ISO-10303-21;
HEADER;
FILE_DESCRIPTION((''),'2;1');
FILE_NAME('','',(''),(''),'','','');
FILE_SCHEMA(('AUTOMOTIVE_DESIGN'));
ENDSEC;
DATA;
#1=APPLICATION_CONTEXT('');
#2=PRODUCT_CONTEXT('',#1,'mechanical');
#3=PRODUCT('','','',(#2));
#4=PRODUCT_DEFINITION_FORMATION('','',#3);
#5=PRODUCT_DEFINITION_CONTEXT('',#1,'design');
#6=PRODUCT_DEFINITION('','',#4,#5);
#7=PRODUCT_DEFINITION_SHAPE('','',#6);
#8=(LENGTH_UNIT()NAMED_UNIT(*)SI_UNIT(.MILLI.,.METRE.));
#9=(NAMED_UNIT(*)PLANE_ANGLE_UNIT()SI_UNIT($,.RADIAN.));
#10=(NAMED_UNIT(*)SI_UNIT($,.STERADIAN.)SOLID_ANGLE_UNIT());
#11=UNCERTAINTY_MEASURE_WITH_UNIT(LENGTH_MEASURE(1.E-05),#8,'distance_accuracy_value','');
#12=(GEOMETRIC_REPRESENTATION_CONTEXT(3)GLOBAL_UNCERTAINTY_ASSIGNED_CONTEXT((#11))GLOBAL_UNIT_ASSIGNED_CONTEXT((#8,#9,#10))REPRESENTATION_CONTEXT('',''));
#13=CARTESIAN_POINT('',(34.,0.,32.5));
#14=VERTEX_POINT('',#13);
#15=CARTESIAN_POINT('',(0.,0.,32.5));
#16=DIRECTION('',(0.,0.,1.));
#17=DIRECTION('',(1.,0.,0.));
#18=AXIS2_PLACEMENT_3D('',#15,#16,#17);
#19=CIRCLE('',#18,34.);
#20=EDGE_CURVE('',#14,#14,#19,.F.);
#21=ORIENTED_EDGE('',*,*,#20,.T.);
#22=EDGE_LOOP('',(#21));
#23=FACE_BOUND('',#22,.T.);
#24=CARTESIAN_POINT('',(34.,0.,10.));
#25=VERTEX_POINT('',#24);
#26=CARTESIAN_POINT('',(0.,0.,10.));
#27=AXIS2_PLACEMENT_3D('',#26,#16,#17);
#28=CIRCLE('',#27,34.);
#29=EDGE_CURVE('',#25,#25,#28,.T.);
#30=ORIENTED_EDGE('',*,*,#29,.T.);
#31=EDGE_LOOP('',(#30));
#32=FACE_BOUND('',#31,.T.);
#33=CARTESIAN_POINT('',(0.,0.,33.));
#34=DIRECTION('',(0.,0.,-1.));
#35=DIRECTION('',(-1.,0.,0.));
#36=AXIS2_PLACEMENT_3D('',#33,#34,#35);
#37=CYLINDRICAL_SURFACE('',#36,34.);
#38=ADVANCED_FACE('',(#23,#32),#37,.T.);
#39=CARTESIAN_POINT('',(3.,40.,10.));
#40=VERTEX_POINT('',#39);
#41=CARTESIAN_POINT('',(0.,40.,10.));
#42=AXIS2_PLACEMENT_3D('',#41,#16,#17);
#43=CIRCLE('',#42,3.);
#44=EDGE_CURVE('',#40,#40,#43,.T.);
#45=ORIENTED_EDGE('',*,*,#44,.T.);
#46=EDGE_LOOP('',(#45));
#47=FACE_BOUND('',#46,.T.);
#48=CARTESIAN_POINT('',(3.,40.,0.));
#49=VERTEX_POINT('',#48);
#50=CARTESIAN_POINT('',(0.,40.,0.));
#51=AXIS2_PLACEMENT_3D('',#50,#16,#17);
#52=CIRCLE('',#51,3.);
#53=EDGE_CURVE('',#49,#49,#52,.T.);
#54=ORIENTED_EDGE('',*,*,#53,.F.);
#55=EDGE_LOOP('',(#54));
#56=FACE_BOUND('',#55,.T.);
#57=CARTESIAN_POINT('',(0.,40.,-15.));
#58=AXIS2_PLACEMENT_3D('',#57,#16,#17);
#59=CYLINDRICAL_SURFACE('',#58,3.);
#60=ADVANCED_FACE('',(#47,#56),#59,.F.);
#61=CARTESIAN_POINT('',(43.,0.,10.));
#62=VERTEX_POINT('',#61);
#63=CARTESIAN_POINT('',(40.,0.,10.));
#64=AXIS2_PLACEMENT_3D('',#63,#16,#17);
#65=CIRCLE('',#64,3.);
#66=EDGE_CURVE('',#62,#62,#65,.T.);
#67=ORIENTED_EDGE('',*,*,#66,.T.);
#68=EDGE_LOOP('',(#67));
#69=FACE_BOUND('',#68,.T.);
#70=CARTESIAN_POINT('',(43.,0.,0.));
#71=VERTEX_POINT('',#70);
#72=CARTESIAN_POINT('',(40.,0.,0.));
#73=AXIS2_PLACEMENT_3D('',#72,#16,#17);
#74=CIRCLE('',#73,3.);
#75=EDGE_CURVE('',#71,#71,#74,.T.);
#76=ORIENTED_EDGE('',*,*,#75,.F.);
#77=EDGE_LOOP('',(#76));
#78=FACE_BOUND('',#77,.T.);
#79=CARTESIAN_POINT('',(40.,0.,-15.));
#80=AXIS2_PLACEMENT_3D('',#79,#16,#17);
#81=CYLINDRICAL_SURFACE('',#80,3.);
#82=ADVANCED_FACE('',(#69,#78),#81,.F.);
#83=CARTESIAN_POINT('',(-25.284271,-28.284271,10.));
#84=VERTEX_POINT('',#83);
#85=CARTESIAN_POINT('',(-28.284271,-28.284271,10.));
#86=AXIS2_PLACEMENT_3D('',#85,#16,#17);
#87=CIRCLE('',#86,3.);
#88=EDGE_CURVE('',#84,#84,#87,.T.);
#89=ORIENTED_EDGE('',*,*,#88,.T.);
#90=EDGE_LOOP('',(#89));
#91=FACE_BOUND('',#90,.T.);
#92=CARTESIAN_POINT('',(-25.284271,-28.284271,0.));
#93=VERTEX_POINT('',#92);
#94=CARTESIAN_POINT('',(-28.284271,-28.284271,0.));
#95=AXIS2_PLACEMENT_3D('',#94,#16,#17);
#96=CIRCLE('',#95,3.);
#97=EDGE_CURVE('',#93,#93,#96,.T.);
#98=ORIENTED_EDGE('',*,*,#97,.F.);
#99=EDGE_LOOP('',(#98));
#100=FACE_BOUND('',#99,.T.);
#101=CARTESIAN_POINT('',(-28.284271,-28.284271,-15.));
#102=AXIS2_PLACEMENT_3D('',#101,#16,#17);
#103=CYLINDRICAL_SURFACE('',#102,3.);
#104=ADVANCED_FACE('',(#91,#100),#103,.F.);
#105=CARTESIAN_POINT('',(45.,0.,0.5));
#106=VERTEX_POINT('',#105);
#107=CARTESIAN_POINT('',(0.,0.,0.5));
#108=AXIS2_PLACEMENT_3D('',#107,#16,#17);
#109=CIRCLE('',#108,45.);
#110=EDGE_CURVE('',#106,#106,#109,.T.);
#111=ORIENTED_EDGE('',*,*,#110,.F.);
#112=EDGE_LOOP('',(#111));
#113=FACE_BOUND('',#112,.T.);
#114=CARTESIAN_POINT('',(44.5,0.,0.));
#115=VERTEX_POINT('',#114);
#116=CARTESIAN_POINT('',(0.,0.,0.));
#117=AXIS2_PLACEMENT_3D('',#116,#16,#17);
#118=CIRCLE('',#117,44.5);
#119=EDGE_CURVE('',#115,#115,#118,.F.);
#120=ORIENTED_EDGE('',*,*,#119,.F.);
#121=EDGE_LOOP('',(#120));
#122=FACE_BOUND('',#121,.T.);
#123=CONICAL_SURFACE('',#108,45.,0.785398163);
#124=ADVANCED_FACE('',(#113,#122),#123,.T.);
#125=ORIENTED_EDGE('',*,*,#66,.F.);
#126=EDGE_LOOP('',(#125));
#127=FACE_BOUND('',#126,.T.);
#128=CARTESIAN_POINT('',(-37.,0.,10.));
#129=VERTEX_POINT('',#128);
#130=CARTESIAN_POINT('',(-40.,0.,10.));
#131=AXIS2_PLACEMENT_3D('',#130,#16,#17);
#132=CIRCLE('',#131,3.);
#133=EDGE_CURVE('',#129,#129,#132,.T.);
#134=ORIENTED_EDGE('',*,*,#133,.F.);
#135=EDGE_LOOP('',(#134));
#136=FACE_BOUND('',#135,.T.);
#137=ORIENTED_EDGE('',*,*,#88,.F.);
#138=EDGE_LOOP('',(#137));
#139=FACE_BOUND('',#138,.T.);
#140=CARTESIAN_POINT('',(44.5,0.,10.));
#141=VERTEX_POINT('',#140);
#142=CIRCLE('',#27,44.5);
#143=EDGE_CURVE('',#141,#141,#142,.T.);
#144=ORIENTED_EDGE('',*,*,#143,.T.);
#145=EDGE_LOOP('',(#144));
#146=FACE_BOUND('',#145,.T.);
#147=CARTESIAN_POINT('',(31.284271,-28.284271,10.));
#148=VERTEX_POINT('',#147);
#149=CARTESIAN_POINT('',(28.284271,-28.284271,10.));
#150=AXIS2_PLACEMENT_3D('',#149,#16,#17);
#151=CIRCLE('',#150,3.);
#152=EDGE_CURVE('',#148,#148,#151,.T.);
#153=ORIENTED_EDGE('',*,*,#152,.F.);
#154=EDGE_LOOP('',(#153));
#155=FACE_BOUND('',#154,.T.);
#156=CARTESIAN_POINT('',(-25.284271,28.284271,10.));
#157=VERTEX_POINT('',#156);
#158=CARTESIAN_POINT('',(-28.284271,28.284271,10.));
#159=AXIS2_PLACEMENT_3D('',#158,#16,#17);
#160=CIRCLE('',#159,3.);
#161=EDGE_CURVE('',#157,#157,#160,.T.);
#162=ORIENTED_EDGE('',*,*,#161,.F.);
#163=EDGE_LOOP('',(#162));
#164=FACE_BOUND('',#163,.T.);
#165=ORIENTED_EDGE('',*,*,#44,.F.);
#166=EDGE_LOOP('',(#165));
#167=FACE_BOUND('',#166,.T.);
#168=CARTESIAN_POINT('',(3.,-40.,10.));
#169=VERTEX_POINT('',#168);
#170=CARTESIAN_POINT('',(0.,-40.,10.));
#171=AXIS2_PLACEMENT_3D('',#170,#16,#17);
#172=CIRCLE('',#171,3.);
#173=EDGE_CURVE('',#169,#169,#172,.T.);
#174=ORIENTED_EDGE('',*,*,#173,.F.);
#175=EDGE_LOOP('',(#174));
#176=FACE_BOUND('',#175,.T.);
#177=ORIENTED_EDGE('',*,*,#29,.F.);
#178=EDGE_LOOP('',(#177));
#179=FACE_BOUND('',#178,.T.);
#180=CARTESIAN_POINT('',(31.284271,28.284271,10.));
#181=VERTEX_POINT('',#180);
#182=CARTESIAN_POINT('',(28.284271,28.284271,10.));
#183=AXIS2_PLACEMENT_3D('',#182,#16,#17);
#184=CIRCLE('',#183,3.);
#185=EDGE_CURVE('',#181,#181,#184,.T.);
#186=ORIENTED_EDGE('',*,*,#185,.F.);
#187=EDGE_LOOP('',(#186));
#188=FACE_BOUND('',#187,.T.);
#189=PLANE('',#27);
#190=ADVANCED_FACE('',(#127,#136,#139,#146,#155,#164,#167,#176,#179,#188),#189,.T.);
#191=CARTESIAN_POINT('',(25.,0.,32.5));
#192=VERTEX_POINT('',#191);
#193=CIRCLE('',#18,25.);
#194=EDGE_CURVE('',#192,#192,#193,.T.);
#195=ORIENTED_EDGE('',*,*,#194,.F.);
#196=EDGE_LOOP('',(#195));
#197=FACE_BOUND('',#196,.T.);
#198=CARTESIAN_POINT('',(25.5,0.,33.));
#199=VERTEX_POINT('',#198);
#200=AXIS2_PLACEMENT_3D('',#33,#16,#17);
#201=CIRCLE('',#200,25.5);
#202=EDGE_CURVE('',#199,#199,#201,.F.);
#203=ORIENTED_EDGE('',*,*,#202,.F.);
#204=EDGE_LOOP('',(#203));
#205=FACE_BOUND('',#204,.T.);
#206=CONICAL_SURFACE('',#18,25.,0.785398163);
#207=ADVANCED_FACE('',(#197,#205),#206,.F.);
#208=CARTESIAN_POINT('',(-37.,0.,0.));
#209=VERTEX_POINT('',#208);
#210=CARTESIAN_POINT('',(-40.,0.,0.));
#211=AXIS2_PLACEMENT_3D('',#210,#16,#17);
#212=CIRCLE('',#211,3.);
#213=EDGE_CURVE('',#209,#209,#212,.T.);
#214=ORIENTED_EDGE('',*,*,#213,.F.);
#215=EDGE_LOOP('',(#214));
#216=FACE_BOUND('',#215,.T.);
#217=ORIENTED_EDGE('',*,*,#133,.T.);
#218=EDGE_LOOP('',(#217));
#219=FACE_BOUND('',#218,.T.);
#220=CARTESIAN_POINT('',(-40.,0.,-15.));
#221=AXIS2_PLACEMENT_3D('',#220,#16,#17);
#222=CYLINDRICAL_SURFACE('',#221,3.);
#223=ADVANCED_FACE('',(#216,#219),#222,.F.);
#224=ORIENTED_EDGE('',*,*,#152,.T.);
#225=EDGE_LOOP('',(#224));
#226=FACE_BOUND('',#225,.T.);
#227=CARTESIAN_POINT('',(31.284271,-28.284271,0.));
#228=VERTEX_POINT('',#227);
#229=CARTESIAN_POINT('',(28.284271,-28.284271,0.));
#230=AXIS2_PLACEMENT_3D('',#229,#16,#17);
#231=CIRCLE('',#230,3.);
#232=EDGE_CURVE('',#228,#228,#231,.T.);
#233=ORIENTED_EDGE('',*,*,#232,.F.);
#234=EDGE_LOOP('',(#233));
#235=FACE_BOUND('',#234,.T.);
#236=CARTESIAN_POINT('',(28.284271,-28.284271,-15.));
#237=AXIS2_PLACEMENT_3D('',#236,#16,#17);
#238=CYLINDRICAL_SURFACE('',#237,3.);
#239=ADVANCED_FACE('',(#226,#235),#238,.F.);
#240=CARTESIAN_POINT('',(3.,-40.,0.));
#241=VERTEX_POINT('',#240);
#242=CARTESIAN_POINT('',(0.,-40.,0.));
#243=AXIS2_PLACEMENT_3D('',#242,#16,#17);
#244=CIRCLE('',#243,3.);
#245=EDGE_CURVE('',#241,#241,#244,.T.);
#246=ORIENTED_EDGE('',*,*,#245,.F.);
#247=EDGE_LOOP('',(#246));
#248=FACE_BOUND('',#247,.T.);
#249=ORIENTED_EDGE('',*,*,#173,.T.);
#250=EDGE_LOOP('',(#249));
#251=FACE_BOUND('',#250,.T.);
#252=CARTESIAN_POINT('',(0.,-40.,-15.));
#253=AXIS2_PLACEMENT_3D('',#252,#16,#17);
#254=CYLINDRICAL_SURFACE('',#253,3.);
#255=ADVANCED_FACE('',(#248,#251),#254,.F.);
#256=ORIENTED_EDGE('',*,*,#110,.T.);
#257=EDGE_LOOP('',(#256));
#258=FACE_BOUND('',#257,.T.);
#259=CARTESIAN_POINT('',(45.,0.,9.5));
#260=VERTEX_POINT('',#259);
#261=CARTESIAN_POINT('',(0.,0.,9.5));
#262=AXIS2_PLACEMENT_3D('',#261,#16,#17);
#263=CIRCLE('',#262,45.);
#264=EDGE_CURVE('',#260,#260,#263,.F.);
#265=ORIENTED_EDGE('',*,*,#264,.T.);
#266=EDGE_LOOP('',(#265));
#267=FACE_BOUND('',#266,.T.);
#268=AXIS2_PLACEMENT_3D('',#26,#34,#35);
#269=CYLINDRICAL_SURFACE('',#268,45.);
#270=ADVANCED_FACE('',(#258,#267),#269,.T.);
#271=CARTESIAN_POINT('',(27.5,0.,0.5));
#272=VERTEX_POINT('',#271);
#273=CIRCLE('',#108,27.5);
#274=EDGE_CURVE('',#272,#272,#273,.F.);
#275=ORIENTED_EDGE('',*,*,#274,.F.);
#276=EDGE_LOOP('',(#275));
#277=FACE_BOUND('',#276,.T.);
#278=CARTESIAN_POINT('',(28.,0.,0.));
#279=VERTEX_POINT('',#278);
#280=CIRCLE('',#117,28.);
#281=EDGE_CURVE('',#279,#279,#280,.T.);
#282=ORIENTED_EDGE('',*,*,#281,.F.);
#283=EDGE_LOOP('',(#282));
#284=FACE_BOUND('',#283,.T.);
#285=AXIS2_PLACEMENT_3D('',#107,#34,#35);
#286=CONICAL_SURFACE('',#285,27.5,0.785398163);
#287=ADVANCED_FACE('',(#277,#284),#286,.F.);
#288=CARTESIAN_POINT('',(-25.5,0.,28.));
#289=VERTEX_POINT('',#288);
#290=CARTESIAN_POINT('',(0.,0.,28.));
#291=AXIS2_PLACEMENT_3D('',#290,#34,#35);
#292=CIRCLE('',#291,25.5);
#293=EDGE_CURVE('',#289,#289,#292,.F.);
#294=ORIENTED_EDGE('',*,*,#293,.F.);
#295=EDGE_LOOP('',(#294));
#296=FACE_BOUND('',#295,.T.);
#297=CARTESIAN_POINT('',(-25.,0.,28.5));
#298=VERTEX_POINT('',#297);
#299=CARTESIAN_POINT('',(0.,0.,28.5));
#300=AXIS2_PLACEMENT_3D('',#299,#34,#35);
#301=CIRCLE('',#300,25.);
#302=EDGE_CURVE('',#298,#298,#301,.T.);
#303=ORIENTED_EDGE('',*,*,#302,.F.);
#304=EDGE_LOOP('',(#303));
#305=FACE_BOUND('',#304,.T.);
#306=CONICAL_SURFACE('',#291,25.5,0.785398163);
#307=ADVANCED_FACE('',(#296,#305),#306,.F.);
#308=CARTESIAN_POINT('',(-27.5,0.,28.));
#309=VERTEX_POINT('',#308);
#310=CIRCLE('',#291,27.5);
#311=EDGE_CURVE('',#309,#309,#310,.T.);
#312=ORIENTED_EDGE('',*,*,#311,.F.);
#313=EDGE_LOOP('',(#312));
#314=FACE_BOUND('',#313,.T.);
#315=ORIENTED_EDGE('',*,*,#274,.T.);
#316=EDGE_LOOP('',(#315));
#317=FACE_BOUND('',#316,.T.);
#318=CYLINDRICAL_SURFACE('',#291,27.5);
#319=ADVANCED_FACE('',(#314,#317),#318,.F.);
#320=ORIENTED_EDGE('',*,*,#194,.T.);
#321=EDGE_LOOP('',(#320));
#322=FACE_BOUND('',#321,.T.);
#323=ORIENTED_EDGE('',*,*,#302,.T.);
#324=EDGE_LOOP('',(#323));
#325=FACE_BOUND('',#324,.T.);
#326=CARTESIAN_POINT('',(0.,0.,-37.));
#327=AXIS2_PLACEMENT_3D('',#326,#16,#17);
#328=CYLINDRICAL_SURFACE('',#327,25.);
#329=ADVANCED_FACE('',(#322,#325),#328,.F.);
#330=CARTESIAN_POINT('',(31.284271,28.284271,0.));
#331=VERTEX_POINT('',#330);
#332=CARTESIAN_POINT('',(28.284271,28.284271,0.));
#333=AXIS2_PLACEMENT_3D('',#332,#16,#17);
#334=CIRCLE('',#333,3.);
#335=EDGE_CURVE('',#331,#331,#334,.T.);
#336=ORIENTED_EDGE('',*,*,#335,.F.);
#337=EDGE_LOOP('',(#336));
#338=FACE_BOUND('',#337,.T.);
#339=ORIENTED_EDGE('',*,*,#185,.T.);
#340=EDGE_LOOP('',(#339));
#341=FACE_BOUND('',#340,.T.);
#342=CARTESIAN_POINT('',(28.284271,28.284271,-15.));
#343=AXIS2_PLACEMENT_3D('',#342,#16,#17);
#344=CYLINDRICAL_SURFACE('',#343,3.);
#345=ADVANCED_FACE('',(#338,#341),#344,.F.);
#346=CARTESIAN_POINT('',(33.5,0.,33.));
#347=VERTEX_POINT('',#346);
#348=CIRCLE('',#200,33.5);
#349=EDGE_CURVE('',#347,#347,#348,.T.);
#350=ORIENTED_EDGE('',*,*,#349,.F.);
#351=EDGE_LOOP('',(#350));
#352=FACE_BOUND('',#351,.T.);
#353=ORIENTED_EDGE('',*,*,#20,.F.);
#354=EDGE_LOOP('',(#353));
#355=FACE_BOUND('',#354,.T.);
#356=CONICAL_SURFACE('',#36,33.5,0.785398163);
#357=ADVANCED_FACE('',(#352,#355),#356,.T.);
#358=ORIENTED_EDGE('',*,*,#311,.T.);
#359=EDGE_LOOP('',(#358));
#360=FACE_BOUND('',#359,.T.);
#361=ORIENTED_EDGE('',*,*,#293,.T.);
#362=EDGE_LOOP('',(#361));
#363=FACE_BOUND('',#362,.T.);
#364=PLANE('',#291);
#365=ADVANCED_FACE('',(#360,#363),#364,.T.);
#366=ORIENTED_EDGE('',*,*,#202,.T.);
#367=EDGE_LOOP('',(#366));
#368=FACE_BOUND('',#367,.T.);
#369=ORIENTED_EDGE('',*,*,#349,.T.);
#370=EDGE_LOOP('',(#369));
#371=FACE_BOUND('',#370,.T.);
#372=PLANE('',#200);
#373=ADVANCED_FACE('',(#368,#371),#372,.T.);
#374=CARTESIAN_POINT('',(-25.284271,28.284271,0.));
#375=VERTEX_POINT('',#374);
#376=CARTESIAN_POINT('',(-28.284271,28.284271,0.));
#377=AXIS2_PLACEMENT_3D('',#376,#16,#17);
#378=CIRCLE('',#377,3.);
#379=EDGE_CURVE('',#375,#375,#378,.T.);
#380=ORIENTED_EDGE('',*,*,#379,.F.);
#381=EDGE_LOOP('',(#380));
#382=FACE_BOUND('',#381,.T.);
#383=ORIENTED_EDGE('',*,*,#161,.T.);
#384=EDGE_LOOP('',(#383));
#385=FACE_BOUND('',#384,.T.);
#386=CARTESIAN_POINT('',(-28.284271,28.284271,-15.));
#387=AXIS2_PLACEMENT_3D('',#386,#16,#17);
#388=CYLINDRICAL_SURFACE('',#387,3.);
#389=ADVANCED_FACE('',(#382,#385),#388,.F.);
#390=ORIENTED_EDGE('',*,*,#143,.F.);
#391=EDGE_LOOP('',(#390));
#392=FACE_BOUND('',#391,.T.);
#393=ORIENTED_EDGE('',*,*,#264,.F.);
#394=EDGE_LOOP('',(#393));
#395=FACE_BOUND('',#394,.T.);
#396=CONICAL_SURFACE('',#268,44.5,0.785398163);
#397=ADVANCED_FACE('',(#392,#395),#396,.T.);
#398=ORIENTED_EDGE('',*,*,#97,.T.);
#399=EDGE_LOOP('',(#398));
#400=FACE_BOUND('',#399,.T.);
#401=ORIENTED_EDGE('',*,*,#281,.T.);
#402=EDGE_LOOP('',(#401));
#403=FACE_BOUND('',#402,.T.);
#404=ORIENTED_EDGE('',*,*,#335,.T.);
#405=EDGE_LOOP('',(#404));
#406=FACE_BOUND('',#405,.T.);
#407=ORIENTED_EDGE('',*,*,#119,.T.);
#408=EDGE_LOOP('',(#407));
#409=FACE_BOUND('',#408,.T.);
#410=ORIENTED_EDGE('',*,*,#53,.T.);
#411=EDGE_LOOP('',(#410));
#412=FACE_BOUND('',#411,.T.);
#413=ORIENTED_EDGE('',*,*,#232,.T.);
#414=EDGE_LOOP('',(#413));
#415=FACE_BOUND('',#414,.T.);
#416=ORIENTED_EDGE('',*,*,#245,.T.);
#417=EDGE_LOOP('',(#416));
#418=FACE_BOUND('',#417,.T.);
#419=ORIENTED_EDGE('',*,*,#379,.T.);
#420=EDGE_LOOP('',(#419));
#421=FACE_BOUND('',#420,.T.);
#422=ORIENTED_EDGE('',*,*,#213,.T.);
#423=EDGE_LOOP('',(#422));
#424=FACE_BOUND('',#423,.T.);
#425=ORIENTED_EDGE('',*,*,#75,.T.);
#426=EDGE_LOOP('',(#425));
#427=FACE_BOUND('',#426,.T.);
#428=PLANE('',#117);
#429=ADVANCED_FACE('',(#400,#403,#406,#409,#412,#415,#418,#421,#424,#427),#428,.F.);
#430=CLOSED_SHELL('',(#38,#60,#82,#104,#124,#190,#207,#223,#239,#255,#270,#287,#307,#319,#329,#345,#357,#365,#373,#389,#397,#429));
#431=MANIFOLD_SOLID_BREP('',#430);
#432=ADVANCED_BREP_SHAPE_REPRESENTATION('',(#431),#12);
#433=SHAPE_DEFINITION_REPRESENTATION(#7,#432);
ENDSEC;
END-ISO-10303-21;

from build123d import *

# Parameters (mm, degrees)
SKETCH_1_R          = 45
EXTRUDE_1_DEPTH     = 10
SKETCH_2_R          = 34
EXTRUDE_2_DEPTH     = 23
SKETCH_4_R          = 25
CUT_EXTRUDE_1_DEPTH = 70
SKETCH_5_R          = 27.5
CUT_EXTRUDE_2_DEPTH = 28
SKETCH_6_R          = 3
CUT_EXTRUDE_3_DEPTH = 25
CHAMFER_1_SIZE      = 0.5


with BuildPart() as part:
    # 草图1 → 拉伸1 (new body)
    with BuildSketch(Plane.XY):
        Circle(SKETCH_1_R)
    extrude(amount=EXTRUDE_1_DEPTH)

    # 草图2 → 拉伸2 (add)
    with BuildSketch(Plane.XY.offset(10)):
        Circle(SKETCH_2_R)
    extrude(amount=EXTRUDE_2_DEPTH)

    # 草图4 → 切除-拉伸1 (cut)
    with BuildSketch(Plane.XY.offset(33)):
        Circle(SKETCH_4_R)
    extrude(amount=-CUT_EXTRUDE_1_DEPTH, mode=Mode.SUBTRACT)

    # 草图5 → 切除-拉伸2 (cut)
    with BuildSketch(Plane(origin=(0, 0, 0), x_dir=(-1, 0, 0), z_dir=(0, 0, -1))):
        Circle(SKETCH_5_R)
    extrude(amount=-CUT_EXTRUDE_2_DEPTH, mode=Mode.SUBTRACT)

    # 草图6 → 切除-拉伸3 (cut)
    with BuildSketch(Plane.XY.offset(10)):
        with Locations((28.284271247, 28.284271247)):
            Circle(SKETCH_6_R)
        with Locations((40, 0)):
            Circle(SKETCH_6_R)
        with Locations((28.284271247, -28.284271247)):
            Circle(SKETCH_6_R)
        with Locations((0, -40)):
            Circle(SKETCH_6_R)
        with Locations((-28.284271247, -28.284271247)):
            Circle(SKETCH_6_R)
        with Locations((0, 40)):
            Circle(SKETCH_6_R)
        with Locations((-40, 0)):
            Circle(SKETCH_6_R)
        with Locations((-28.284271247, 28.284271247)):
            Circle(SKETCH_6_R)
    extrude(amount=-CUT_EXTRUDE_3_DEPTH, mode=Mode.SUBTRACT)

    # 倒角1
    chamfer_1_edges = [part.edges().sort_by_distance(p)[0] for p in [
        (-25, 0, 33),
        (27.5, 0, 0),
        (-25, 0, 28),
        (-45, 0, 0),
        (-45, 0, 10),
        (-34, 0, 33),
    ]]
    chamfer(chamfer_1_edges, length=CHAMFER_1_SIZE)


solid = part.part
